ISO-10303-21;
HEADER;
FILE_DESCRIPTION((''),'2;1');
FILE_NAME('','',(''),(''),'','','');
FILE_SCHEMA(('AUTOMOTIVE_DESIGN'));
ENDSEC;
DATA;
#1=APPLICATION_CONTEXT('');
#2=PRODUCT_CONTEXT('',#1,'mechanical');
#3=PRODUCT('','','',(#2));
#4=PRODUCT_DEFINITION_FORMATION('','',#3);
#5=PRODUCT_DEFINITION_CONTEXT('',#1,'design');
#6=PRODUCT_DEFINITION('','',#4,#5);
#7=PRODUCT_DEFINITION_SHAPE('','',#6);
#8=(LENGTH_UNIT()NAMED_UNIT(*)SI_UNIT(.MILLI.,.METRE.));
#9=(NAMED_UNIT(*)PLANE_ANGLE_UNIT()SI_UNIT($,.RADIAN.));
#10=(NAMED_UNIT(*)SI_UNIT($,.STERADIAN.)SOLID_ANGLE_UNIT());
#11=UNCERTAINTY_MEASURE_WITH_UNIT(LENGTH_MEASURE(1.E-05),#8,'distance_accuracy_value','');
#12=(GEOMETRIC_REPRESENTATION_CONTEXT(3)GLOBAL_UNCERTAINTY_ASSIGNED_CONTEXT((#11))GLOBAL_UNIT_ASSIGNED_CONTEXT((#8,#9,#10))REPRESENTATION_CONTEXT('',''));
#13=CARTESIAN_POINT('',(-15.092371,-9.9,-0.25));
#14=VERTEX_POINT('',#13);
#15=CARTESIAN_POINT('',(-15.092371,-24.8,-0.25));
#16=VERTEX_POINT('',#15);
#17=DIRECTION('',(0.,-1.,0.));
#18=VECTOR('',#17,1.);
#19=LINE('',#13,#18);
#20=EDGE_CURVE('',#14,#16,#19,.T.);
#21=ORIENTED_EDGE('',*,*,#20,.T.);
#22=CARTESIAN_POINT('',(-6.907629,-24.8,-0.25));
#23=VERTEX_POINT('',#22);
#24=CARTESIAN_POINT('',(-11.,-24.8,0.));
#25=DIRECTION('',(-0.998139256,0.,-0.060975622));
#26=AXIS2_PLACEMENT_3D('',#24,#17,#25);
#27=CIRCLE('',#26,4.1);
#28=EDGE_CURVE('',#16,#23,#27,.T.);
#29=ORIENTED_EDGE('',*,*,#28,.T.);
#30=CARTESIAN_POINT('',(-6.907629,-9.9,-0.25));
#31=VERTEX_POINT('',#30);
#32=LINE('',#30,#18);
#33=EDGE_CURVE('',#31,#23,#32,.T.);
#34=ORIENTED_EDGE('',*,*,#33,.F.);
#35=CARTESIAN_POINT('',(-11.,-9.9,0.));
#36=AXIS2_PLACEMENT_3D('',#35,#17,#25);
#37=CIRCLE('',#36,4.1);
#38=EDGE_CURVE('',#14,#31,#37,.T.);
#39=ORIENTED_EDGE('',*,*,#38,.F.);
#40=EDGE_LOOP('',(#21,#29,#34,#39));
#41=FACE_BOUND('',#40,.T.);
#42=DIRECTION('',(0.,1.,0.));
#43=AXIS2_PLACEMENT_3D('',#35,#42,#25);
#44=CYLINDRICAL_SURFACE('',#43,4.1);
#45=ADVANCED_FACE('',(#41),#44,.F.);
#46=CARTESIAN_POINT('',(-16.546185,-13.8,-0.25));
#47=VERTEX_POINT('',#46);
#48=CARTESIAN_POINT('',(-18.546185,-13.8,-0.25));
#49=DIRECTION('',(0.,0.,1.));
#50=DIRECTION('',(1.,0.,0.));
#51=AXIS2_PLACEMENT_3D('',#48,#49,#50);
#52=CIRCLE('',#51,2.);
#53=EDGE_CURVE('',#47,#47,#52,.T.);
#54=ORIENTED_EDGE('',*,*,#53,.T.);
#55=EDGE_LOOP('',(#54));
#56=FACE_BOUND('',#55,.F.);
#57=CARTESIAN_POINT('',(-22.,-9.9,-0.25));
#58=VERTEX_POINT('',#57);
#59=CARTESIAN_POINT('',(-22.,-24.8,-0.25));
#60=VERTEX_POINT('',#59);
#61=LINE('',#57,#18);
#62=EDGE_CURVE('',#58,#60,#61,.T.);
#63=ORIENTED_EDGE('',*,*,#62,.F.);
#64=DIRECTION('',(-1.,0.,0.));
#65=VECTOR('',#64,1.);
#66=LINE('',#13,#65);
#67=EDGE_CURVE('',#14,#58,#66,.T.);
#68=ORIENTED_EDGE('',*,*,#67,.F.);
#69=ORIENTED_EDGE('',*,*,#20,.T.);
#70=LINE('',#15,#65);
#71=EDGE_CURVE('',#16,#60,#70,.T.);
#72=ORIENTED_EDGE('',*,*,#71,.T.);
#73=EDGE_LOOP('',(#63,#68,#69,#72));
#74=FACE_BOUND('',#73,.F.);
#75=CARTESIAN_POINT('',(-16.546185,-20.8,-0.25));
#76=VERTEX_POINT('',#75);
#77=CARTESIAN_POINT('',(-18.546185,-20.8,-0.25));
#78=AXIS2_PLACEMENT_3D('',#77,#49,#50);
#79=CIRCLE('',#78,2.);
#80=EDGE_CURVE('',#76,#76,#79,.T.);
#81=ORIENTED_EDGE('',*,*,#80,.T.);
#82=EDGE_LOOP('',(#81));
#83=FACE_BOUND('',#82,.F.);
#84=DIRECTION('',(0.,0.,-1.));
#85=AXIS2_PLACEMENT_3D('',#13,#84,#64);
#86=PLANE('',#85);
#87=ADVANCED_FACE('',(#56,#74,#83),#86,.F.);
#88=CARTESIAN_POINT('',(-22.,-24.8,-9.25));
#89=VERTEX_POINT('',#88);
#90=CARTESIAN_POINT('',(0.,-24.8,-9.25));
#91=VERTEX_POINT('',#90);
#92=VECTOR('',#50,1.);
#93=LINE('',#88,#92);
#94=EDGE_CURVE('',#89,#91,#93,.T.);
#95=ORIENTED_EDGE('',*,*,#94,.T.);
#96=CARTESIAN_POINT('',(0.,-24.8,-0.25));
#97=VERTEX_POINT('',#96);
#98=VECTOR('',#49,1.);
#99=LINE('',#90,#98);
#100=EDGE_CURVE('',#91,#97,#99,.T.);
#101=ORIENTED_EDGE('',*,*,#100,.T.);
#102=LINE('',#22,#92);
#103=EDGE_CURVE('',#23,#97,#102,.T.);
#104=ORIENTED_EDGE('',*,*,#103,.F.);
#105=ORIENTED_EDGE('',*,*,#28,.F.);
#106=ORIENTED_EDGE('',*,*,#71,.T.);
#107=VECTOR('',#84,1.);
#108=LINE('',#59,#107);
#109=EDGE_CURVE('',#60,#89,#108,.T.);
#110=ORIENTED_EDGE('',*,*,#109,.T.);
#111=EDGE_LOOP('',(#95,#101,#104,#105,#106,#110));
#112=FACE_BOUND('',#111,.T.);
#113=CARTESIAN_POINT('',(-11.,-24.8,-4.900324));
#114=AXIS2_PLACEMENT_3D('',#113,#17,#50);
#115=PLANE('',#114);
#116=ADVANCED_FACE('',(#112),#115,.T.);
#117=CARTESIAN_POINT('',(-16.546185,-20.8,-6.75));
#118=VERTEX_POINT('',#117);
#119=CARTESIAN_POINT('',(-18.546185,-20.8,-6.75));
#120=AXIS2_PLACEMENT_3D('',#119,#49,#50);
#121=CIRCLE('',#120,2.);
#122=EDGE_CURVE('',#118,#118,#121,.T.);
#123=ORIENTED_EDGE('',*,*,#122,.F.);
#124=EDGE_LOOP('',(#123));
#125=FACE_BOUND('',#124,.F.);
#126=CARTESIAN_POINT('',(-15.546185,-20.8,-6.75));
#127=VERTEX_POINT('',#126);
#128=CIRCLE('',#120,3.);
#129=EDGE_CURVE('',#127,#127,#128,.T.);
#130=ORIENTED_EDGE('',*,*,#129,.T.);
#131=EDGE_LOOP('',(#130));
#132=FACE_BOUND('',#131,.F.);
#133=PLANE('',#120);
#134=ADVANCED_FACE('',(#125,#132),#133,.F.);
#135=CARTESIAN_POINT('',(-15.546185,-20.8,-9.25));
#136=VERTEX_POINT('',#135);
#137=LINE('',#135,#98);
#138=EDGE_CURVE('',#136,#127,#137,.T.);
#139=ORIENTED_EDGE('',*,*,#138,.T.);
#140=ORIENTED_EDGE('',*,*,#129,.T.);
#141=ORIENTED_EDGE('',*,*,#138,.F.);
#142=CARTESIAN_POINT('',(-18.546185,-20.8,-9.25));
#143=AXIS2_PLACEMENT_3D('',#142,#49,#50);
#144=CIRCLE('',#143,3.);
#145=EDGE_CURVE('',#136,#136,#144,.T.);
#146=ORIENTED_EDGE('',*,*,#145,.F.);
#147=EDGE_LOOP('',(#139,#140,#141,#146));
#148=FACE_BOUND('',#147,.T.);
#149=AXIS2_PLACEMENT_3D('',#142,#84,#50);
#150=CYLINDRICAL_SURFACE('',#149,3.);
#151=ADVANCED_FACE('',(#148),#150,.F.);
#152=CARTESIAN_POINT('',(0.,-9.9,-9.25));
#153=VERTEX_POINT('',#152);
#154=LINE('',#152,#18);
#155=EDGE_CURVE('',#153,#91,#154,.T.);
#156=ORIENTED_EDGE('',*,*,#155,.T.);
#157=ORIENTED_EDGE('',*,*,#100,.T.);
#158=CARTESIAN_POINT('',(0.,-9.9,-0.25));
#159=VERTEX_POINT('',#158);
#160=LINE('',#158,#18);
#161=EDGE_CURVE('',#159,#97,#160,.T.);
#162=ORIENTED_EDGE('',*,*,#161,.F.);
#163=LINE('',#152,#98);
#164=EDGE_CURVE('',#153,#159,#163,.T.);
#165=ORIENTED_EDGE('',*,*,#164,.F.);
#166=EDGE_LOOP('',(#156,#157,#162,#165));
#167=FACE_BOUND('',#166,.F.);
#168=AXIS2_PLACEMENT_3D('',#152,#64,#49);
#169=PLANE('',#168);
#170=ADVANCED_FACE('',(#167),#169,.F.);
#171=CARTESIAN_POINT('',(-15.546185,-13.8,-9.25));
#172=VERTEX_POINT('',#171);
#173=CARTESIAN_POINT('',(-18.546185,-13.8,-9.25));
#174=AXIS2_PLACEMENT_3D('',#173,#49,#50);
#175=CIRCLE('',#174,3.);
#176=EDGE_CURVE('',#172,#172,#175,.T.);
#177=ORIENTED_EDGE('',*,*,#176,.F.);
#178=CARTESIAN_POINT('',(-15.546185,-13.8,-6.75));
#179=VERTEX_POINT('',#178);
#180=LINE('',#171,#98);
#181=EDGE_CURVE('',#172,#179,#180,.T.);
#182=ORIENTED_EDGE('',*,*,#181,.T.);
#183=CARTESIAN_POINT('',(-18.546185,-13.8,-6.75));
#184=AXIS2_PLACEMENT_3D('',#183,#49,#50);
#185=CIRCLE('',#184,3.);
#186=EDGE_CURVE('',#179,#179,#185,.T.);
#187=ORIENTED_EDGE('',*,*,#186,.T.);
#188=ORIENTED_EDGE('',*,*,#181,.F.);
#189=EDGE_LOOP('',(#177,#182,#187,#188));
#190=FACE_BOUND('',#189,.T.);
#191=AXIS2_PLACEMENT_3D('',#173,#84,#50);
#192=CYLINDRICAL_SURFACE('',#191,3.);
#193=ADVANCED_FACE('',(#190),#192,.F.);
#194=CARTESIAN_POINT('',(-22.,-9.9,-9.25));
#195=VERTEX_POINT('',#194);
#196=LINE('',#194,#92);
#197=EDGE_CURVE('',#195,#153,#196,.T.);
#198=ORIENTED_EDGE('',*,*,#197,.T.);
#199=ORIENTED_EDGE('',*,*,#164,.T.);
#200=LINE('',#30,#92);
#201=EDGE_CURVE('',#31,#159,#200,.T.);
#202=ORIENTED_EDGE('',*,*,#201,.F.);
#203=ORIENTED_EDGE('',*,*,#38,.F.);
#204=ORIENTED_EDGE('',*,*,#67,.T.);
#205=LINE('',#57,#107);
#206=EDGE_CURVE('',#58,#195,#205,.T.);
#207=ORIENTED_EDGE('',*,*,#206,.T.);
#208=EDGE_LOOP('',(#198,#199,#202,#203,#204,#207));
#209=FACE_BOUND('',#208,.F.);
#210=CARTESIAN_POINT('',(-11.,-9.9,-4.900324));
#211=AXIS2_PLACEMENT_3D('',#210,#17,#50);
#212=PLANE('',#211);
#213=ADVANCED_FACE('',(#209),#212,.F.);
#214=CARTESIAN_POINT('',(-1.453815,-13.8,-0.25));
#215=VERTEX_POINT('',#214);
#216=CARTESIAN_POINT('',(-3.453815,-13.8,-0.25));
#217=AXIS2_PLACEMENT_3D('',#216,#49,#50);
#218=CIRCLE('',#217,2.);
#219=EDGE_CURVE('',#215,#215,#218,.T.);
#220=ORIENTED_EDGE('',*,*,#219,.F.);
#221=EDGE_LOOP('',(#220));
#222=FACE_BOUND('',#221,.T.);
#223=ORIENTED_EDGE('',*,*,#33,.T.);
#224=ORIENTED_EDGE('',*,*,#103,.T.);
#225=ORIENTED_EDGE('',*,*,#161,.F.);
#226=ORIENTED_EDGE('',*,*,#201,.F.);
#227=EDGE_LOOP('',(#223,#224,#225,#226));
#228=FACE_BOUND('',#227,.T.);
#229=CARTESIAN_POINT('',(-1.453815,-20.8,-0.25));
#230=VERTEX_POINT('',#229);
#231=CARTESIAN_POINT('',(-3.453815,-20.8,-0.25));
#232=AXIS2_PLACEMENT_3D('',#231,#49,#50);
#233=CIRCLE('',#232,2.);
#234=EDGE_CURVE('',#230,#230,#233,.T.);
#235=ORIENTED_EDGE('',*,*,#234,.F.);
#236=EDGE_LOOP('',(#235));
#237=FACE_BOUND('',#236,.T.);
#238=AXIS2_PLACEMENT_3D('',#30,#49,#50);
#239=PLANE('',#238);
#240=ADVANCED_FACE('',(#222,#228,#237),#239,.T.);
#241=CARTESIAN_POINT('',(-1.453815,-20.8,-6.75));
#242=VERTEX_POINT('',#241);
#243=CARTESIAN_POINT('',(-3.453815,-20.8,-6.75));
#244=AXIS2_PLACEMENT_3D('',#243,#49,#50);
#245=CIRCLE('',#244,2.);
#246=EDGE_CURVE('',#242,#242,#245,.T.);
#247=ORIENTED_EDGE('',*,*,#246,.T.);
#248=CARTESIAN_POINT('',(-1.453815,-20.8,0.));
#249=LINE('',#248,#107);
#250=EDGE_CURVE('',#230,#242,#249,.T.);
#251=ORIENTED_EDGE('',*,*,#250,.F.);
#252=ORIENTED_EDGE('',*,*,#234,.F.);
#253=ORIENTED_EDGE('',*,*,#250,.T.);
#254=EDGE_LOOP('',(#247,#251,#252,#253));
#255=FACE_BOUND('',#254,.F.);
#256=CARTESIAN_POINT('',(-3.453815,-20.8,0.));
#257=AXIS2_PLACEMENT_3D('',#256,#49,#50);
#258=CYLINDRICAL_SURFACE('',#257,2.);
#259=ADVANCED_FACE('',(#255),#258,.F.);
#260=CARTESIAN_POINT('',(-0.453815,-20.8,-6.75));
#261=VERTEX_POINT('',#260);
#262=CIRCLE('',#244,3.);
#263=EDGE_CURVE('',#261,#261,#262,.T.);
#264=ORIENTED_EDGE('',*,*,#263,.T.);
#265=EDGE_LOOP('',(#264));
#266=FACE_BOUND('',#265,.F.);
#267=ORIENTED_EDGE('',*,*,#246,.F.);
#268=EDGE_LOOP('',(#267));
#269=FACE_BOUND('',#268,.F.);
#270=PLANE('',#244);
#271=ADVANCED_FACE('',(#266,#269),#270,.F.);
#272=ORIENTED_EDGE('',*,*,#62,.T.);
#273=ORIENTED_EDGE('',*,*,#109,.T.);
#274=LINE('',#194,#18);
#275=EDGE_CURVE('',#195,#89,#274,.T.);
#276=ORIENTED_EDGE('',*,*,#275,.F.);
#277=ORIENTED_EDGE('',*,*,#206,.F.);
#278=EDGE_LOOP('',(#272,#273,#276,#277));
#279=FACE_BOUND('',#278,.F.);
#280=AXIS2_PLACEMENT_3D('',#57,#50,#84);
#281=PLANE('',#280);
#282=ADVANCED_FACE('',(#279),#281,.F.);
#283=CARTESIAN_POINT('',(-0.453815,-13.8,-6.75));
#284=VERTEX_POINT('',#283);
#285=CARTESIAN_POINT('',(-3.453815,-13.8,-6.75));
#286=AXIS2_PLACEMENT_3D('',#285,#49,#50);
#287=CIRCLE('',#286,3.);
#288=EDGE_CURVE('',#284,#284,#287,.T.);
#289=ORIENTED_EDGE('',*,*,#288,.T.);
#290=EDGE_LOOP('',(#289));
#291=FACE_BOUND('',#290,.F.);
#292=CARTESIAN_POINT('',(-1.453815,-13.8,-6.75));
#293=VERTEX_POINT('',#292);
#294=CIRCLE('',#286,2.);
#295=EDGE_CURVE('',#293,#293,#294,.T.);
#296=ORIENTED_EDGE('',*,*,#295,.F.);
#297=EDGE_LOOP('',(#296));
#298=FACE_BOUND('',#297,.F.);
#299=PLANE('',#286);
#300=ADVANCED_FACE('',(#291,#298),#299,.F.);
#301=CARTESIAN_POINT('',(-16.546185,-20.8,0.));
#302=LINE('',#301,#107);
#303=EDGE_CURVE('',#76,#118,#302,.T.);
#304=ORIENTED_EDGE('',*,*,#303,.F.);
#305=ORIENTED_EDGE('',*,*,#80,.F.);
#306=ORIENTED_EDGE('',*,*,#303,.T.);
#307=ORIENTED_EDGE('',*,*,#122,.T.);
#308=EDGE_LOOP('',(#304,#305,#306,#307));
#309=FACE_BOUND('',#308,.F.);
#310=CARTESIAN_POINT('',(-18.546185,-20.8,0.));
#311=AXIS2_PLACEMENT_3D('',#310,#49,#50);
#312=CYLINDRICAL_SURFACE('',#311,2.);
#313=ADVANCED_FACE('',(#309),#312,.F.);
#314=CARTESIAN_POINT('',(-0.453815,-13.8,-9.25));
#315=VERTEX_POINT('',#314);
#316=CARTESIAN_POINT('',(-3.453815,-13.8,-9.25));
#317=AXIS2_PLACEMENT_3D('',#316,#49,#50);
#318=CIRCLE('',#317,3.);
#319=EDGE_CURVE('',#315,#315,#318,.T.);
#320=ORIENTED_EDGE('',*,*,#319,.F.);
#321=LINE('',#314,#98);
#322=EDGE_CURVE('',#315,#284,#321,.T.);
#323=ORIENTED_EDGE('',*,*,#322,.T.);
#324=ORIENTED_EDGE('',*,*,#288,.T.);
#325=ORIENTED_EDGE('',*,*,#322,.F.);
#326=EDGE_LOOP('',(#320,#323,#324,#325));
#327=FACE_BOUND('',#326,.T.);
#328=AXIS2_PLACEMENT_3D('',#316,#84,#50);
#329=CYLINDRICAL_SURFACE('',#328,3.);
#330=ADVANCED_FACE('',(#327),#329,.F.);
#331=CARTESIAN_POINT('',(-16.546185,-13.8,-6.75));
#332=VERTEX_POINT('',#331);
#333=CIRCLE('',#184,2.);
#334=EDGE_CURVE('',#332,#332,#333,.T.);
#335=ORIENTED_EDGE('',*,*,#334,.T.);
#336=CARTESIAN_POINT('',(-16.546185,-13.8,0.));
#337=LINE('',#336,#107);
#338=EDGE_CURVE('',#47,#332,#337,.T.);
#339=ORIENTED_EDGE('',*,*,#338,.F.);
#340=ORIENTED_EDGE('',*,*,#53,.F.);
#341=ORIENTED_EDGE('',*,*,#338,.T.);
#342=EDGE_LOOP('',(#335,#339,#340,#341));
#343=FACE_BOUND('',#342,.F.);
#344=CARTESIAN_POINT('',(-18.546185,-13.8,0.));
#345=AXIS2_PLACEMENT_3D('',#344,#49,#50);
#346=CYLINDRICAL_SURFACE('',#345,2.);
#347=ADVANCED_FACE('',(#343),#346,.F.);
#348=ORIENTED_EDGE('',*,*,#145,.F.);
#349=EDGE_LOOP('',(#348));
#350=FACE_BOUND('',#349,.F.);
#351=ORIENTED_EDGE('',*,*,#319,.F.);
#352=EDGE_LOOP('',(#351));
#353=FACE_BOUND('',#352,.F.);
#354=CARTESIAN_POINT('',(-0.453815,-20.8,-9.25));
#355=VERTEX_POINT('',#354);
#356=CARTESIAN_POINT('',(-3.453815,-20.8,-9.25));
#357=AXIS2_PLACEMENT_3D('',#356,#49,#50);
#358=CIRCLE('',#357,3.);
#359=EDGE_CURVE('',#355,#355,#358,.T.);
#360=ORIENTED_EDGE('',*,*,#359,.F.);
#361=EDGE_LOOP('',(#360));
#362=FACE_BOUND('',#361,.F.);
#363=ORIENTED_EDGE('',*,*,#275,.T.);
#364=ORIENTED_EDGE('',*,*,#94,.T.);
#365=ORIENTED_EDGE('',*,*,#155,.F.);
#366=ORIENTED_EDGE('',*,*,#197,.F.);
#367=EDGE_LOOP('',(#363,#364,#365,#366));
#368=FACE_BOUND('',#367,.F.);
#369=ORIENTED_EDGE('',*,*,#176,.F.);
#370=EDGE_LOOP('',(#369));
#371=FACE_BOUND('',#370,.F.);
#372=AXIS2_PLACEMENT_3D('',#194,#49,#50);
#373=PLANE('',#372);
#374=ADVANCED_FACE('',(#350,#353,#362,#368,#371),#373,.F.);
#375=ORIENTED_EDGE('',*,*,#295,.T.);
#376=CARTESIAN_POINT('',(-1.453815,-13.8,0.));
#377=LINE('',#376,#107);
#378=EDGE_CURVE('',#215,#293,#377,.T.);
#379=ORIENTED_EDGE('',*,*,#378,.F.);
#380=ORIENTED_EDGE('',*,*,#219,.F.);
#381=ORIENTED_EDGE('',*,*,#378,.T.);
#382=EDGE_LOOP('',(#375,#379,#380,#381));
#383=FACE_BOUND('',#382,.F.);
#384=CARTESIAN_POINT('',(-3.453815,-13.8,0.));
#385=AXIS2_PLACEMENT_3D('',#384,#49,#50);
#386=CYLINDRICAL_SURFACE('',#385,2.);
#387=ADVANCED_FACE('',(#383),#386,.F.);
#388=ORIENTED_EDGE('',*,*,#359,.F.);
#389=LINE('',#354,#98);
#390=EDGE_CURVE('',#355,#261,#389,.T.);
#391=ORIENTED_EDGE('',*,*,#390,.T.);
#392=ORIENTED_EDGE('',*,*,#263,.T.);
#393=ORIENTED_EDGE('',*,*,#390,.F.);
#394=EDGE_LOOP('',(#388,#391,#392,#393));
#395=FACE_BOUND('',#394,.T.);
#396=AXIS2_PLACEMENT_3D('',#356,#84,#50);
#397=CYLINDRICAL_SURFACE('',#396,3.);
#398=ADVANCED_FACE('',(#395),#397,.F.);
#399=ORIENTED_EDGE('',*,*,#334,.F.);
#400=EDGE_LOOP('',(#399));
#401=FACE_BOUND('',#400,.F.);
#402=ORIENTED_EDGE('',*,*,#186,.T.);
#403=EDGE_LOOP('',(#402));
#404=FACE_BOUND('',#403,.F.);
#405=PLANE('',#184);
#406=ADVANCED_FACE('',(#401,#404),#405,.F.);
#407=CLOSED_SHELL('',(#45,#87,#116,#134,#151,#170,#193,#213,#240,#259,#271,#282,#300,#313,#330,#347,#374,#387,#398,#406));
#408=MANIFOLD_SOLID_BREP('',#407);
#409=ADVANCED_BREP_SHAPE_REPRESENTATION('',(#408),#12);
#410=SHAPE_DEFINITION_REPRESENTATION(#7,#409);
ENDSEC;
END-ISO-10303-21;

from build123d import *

# Parameters (mm, degrees)
PAD016_DEPTH    = 14.9
SKETCH037_R     = 2
POCKET017_DEPTH = 9.251
SKETCH038_R     = 3
POCKET018_DEPTH = 2.5


with BuildPart() as part:
    # Sketch036 (on DatumPlane) → Pad016 (new body)
    with BuildSketch(Plane.XZ.offset(9.9)):
        with BuildLine():
            Line((-22, -0.25), (-22, -9.25))
            Line((-22, -9.25), (0, -9.25))
            Line((0, -9.25), (0, -0.25))
            Line((-6.907629, -0.25), (0, -0.25))
            ThreePointArc((-15.092371, -0.25), (-11, -4.1), (-6.907629, -0.25))
            Line((-15.092371, -0.25), (-22, -0.25))
        make_face()
    extrude(amount=PAD016_DEPTH)

    # Sketch037 → Pocket017 (cut, through all)
    with BuildSketch(Plane.XY):
        with Locations((-18.546185, -13.8)):
            Circle(SKETCH037_R)
        with Locations((-18.546185, -20.8)):
            Circle(SKETCH037_R)
        with Locations((-3.453815, -20.8)):
            Circle(SKETCH037_R)
        with Locations((-3.453815, -13.8)):
            Circle(SKETCH037_R)
    extrude(amount=-POCKET017_DEPTH, mode=Mode.SUBTRACT)

    # Sketch038 (on DatumPlane) → Pocket018 (cut)
    with BuildSketch(Plane.XY.offset(-9.25)):
        with Locations((-18.546185, -13.8)):
            Circle(SKETCH038_R)
        with Locations((-18.546185, -20.8)):
            Circle(SKETCH038_R)
        with Locations((-3.453815, -13.8)):
            Circle(SKETCH038_R)
        with Locations((-3.453815, -20.8)):
            Circle(SKETCH038_R)
    extrude(amount=POCKET018_DEPTH, mode=Mode.SUBTRACT)


solid = part.part
